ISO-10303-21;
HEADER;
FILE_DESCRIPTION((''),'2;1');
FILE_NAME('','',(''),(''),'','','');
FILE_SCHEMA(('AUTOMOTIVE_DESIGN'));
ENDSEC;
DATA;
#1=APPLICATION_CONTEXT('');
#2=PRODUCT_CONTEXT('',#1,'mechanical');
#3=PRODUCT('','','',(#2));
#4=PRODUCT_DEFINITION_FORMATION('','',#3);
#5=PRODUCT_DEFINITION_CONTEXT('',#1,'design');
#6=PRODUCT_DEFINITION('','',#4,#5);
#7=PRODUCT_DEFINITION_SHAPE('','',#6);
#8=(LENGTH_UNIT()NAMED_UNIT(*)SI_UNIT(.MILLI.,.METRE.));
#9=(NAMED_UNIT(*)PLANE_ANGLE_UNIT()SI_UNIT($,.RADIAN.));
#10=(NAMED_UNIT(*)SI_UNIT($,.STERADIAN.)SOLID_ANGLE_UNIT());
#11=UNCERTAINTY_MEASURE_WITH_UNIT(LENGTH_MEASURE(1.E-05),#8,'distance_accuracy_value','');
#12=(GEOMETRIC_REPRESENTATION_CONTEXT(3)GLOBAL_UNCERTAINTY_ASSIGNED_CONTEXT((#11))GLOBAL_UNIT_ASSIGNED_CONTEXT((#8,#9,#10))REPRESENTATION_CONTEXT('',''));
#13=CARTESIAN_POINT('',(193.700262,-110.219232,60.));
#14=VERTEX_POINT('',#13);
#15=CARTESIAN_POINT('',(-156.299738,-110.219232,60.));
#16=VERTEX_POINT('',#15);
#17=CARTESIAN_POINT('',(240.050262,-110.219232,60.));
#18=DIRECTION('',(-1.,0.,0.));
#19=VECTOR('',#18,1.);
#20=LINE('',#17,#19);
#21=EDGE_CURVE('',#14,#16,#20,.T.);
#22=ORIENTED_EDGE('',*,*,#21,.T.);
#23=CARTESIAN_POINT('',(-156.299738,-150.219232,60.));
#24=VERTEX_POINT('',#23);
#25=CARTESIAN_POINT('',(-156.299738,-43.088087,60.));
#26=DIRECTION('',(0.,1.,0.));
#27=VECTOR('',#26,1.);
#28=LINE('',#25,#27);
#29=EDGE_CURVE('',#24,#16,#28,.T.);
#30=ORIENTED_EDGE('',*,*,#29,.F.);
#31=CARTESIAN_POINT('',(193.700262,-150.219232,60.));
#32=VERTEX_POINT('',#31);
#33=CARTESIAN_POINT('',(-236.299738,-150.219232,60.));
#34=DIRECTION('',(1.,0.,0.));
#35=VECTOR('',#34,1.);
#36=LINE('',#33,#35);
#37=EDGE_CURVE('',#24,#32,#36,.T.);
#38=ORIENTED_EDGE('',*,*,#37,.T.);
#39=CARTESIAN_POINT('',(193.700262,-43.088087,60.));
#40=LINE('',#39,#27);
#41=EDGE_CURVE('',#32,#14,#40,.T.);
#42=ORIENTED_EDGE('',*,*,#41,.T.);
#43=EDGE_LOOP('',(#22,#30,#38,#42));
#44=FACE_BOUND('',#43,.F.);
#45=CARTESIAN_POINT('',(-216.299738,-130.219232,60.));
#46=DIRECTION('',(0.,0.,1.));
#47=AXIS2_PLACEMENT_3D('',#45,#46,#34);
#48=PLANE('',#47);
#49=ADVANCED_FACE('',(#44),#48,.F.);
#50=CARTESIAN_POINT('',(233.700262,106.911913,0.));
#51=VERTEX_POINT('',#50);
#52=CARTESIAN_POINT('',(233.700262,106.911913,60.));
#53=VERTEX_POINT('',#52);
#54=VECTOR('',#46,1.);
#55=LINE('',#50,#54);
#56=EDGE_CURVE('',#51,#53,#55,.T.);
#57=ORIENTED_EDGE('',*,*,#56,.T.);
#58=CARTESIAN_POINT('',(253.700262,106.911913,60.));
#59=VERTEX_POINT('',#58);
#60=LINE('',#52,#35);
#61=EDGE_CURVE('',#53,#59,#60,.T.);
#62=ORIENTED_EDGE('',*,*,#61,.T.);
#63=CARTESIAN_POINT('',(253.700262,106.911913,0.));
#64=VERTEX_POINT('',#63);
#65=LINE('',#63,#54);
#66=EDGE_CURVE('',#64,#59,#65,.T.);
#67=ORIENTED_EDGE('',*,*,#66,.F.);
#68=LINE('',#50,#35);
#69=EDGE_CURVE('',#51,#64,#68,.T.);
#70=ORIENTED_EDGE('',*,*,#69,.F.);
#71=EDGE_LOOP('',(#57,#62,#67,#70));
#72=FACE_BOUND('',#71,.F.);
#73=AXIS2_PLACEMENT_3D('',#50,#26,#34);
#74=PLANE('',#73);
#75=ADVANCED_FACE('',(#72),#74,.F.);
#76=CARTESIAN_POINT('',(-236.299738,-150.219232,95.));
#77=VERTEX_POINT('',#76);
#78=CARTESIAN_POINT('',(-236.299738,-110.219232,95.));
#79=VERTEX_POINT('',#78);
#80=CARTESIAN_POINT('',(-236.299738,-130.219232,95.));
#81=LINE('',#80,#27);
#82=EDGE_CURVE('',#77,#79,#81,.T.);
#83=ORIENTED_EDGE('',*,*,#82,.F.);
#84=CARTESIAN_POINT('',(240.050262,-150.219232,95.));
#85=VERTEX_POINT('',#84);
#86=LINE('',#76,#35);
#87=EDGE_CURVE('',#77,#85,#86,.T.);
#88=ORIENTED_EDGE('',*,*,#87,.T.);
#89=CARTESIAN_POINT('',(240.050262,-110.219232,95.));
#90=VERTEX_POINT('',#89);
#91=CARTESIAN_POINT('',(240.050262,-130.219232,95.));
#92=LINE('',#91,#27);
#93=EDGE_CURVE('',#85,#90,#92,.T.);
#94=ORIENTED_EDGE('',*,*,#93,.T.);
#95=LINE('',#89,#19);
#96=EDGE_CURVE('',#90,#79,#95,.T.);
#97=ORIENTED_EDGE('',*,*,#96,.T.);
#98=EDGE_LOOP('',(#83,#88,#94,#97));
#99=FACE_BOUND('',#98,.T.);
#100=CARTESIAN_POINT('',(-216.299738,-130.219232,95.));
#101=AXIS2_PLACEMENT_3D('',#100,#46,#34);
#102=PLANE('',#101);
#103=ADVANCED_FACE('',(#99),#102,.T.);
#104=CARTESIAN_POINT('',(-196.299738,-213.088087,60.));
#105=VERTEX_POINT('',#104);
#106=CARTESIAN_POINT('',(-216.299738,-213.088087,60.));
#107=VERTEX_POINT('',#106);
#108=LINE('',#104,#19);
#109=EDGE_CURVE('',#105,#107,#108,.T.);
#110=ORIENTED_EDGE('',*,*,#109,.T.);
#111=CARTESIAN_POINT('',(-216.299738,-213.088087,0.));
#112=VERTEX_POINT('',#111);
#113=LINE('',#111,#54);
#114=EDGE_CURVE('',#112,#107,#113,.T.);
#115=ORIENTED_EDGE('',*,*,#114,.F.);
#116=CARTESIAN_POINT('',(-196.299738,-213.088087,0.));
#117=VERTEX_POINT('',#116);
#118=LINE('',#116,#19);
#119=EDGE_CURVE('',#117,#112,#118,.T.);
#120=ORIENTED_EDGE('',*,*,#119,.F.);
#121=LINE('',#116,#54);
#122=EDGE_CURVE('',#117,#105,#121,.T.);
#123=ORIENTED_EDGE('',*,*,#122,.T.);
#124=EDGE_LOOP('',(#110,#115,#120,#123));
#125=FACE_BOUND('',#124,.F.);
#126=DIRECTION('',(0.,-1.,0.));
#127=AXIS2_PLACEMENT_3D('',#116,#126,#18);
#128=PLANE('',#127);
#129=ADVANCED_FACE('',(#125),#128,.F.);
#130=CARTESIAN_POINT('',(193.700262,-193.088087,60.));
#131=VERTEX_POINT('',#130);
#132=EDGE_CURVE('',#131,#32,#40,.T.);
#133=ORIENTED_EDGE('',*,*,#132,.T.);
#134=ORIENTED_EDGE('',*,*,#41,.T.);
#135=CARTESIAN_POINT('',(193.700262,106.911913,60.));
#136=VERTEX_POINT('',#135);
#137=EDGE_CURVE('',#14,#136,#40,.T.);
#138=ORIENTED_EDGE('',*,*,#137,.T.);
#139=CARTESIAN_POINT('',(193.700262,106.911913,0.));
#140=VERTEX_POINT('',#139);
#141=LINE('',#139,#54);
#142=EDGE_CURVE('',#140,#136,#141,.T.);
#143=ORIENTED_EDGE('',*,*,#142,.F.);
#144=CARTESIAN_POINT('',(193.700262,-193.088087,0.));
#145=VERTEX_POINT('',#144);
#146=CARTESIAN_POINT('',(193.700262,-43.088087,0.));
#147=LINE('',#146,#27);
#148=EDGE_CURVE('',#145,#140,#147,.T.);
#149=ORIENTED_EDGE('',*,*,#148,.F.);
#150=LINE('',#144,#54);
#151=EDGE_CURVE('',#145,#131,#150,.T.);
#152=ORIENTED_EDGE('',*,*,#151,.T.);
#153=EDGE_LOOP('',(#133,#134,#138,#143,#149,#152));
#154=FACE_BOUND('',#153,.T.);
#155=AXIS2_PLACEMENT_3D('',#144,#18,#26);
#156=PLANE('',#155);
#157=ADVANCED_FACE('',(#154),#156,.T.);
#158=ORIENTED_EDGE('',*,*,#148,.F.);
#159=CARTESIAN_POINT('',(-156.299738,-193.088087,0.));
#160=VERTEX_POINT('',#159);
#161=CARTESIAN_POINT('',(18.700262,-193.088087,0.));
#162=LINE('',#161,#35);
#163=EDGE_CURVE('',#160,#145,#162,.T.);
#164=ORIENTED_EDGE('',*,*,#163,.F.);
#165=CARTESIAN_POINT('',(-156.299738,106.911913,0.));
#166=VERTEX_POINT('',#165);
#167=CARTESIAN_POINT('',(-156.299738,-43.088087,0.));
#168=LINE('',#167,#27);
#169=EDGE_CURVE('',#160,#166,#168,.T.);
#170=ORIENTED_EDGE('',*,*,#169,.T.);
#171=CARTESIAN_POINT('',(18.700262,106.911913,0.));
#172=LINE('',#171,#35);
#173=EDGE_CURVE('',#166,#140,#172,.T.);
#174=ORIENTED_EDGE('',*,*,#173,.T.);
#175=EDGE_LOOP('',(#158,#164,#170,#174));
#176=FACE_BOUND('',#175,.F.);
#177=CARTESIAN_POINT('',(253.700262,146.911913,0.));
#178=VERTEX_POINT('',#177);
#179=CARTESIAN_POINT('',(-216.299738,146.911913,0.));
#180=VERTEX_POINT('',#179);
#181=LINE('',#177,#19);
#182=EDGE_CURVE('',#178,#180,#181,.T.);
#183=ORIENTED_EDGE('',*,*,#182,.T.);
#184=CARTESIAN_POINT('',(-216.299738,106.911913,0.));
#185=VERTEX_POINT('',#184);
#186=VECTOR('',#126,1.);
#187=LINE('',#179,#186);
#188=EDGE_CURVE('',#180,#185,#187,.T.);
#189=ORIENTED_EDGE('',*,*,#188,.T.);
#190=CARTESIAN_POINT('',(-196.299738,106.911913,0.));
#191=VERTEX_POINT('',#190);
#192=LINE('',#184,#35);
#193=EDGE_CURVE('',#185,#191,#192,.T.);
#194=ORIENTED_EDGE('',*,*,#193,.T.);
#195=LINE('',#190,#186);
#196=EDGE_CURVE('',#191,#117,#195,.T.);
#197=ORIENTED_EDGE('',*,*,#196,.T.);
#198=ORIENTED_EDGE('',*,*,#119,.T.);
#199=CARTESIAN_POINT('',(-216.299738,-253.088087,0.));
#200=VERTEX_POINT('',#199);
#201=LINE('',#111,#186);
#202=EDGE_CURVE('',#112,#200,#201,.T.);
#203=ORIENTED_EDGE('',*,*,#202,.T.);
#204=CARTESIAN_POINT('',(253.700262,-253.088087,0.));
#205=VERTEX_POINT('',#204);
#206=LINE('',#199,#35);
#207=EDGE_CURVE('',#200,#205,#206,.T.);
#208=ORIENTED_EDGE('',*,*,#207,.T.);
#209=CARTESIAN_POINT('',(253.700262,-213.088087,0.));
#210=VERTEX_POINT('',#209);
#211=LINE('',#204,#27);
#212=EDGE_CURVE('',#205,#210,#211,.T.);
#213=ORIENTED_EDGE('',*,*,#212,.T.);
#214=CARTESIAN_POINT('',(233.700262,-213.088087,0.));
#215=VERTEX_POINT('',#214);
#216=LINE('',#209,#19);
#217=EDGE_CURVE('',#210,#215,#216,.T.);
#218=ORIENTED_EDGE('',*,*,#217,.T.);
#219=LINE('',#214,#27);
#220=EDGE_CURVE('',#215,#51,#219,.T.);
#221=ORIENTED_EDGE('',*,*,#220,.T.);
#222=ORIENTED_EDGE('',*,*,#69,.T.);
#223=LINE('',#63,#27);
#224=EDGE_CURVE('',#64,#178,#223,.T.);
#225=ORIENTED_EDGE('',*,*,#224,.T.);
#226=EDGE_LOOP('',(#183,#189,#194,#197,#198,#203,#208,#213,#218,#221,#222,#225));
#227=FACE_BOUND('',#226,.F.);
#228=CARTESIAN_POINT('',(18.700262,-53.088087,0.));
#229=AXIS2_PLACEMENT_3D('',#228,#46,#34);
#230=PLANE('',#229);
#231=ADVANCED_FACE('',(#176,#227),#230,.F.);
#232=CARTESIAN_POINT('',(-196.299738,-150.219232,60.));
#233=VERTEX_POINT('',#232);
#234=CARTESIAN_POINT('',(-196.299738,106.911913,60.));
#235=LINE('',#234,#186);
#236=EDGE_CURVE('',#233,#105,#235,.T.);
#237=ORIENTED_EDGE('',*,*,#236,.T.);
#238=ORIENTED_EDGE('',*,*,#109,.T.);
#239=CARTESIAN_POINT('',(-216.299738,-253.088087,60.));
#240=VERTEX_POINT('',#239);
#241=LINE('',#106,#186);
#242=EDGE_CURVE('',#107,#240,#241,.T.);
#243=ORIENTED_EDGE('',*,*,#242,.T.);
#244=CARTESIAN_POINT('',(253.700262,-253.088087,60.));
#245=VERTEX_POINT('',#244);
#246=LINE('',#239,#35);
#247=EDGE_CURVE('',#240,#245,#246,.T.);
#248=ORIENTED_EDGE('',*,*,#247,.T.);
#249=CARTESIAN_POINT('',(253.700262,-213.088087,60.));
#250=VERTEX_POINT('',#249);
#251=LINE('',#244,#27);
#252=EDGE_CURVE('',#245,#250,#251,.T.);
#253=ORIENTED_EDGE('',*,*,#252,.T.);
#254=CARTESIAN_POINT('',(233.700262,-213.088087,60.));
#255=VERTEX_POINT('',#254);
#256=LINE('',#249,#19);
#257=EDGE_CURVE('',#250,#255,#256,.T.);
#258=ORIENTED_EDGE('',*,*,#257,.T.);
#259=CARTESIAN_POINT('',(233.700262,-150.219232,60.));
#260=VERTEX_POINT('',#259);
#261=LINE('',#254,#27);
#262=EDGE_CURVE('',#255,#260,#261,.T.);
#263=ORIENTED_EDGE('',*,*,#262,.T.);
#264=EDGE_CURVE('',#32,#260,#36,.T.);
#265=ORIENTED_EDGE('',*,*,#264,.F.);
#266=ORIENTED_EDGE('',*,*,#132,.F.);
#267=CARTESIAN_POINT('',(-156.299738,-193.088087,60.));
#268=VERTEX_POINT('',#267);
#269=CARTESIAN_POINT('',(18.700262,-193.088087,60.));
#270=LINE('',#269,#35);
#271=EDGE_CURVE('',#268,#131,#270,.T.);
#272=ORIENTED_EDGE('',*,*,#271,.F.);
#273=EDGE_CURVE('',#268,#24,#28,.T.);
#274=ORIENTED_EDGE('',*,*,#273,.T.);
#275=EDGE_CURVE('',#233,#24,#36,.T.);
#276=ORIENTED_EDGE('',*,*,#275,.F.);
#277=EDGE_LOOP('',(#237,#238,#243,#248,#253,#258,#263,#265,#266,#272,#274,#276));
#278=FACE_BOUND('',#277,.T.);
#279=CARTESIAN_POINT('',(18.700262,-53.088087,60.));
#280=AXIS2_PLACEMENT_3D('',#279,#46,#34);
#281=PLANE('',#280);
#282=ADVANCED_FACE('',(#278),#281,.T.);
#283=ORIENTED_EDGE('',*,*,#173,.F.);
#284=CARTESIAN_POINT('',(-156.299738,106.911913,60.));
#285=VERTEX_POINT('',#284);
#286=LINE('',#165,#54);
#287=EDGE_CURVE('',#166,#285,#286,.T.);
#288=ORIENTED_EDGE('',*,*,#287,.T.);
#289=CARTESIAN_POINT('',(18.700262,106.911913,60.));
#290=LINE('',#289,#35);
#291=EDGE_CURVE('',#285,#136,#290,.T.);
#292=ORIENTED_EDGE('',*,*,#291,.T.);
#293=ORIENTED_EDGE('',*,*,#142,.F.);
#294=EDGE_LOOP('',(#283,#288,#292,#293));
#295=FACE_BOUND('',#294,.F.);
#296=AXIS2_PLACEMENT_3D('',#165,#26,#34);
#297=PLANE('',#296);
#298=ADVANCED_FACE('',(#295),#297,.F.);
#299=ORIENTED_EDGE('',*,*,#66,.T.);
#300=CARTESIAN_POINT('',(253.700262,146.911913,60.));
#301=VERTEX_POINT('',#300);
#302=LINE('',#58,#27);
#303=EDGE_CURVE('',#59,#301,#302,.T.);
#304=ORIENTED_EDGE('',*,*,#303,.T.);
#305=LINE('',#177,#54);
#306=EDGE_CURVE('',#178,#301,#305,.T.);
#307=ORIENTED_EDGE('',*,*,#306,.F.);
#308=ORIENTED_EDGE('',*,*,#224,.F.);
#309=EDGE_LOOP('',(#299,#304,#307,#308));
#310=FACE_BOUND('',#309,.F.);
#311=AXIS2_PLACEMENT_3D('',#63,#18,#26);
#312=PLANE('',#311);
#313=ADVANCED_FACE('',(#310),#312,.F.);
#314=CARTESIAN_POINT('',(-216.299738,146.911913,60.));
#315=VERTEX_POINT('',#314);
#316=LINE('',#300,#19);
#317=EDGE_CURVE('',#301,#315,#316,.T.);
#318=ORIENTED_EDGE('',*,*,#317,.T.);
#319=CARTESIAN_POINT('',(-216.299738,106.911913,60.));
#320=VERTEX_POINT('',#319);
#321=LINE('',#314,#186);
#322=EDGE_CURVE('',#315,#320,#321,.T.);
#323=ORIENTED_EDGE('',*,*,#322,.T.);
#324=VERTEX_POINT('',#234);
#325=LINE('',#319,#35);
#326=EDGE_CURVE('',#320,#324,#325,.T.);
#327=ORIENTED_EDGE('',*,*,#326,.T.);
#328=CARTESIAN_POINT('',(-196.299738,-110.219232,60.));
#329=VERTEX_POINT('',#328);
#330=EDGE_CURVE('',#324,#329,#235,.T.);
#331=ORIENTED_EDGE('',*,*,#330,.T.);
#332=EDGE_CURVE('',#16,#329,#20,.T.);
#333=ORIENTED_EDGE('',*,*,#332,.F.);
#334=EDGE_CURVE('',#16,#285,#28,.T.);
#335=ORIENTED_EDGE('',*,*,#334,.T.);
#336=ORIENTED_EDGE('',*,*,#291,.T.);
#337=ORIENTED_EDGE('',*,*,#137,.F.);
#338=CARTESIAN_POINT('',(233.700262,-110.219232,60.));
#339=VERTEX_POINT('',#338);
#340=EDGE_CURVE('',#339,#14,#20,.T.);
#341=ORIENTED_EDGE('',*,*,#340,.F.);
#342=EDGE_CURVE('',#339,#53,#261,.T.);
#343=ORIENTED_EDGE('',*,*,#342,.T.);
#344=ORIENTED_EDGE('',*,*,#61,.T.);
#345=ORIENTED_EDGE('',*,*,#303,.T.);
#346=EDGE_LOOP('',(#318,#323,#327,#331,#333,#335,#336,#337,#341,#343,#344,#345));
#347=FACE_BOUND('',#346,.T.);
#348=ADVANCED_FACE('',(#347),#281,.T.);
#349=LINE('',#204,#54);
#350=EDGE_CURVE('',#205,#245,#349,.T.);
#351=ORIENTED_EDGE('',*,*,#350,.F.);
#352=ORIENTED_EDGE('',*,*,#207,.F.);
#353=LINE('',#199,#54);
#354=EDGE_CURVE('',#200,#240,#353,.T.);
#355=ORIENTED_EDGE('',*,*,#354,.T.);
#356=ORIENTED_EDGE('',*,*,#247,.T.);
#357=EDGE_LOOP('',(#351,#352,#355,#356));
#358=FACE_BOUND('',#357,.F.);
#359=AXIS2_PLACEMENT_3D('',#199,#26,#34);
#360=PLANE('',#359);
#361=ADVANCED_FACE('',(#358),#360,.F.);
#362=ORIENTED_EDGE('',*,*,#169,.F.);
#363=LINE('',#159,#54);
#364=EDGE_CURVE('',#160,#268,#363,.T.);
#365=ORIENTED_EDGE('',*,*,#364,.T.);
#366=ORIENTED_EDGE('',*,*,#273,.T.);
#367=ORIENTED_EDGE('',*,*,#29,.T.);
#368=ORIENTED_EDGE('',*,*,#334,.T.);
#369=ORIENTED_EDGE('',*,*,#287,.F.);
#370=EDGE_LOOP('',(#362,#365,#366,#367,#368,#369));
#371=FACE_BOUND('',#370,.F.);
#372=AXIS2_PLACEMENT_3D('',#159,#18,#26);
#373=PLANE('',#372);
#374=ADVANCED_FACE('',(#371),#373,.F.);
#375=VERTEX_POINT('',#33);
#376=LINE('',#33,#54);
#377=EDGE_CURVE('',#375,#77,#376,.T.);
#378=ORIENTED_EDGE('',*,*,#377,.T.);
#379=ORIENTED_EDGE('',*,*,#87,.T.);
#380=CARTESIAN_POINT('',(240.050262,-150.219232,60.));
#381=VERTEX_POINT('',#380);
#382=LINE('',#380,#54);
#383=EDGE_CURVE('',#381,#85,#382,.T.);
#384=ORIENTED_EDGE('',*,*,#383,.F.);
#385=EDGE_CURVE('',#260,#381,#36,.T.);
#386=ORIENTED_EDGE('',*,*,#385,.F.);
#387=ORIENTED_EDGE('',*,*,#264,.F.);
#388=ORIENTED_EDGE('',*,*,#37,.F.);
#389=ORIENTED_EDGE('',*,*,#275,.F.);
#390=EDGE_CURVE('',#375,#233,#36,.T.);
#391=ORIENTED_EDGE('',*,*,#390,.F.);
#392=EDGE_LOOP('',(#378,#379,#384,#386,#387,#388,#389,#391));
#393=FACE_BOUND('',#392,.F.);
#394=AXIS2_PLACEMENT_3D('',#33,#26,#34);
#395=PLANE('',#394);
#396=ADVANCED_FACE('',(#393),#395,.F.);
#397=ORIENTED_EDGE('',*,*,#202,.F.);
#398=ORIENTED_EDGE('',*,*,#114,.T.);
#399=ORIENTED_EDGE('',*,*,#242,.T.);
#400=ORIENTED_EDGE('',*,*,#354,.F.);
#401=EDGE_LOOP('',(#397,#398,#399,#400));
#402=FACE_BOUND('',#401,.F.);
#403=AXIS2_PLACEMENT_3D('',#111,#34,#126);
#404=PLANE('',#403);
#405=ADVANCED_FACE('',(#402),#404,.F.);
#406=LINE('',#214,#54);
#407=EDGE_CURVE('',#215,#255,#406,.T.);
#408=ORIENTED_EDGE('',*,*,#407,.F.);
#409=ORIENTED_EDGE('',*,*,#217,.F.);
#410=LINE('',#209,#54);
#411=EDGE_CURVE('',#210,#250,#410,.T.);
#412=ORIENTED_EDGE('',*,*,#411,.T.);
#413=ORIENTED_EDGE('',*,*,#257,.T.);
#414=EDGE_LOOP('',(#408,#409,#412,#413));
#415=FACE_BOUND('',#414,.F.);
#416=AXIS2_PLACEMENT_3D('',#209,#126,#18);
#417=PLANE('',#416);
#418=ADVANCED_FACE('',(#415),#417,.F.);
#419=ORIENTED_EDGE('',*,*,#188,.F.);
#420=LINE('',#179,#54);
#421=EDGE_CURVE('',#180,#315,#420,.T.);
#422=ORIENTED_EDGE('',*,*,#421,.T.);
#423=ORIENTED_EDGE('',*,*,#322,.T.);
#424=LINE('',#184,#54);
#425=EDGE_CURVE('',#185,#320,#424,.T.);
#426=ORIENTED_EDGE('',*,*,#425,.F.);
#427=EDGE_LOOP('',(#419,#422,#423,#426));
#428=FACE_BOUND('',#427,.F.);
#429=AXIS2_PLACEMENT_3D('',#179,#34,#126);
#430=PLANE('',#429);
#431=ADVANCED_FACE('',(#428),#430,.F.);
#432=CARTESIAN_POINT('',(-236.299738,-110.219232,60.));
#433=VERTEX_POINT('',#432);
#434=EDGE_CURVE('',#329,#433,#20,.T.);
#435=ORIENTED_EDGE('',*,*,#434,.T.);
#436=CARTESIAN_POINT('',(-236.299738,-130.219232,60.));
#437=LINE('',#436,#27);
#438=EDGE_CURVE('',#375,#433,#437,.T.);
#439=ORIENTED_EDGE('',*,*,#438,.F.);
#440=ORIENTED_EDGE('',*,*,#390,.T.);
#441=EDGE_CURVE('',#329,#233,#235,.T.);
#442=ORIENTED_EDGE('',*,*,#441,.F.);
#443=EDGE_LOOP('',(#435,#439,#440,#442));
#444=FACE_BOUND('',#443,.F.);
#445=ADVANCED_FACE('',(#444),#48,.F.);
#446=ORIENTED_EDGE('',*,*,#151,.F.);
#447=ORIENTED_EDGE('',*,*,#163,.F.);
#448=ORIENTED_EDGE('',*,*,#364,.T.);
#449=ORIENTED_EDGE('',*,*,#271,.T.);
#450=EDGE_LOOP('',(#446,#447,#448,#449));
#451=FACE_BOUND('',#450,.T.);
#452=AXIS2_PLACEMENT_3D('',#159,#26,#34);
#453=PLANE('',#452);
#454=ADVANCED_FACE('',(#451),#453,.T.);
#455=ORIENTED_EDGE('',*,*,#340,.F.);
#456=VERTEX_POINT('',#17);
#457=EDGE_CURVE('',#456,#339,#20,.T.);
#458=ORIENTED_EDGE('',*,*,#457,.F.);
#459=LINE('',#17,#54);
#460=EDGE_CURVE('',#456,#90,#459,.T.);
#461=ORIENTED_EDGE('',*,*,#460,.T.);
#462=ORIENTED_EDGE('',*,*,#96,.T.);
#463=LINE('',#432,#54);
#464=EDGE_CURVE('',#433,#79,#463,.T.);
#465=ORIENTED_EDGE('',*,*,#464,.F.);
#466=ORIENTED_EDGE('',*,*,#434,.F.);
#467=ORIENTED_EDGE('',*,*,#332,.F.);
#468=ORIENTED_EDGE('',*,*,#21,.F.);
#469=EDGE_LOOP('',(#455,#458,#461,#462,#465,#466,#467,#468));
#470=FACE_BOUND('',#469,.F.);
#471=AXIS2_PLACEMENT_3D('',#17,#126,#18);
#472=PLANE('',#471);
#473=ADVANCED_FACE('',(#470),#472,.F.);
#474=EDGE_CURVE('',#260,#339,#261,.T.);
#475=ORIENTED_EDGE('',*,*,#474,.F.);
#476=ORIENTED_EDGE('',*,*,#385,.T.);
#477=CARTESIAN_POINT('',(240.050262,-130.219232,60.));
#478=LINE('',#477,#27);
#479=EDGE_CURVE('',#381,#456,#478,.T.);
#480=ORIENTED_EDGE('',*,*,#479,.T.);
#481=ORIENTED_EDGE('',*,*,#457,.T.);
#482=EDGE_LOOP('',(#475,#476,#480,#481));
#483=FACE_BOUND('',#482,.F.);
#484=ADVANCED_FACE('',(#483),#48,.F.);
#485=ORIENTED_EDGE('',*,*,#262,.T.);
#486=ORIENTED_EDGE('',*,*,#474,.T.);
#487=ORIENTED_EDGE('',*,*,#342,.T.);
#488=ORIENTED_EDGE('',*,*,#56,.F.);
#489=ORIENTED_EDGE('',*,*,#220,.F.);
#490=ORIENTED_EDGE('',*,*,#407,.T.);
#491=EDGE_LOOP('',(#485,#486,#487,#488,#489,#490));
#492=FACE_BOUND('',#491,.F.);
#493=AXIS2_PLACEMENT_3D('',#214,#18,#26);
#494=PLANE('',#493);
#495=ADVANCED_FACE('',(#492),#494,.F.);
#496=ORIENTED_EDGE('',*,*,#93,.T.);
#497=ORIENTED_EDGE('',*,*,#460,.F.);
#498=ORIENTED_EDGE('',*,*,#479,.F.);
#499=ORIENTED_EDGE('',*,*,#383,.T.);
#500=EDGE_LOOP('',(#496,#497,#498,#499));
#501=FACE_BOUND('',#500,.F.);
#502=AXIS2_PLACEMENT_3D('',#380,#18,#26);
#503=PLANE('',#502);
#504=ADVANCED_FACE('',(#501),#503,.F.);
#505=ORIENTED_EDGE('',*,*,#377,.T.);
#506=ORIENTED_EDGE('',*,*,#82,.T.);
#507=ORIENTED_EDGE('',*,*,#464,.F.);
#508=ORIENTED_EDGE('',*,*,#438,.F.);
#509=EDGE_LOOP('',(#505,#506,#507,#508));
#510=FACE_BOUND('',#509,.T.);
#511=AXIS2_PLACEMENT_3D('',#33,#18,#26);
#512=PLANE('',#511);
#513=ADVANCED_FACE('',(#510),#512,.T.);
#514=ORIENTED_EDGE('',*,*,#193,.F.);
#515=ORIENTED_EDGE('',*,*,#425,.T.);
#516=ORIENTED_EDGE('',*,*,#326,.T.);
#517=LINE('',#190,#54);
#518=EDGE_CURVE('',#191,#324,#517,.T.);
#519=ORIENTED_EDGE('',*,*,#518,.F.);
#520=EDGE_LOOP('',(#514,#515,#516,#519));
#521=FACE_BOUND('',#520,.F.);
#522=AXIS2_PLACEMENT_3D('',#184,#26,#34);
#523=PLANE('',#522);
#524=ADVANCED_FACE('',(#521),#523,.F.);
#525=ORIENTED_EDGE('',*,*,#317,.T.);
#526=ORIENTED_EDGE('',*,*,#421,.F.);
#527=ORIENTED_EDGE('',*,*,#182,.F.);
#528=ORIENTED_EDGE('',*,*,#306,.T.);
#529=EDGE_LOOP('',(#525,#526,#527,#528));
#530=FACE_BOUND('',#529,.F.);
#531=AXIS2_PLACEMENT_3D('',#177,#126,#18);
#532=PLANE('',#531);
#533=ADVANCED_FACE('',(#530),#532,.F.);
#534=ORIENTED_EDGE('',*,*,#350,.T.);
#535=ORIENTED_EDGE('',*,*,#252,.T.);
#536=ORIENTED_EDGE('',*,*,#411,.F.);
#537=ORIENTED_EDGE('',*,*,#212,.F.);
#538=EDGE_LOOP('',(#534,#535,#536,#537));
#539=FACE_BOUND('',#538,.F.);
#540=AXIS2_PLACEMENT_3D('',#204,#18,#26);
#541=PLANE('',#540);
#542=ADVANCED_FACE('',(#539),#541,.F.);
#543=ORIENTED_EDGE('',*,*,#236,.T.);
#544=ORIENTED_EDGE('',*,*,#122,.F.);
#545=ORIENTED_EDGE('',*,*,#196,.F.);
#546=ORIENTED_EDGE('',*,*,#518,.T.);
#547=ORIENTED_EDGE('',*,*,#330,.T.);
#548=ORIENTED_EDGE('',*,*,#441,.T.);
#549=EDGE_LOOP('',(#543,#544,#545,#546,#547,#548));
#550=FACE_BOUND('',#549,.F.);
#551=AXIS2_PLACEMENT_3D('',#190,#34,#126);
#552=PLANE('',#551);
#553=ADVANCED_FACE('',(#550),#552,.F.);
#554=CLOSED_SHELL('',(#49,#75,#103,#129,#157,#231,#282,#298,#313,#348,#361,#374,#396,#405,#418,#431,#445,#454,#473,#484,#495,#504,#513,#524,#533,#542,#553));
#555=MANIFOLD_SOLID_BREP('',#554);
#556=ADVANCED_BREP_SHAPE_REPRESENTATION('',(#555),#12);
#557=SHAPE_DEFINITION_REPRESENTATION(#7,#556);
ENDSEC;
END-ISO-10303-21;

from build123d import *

# Parameters (mm, degrees)
F0_W     = 350
F0_H     = 300
F1_DEPTH = 60
F2_W     = 40
F2_H     = 40
F2_W_2   = 350
F2_W_3   = 6.35
F3_DEPTH = 35


with BuildPart() as f1:
    # F0 (on Top) → F1 (new body)
    with BuildSketch(Plane.XY):
        Polygon((253.7002617121, 146.9119131565), (-216.2997382879, 146.9119131565), (-216.2997382879, 106.9119131565), (-196.2997382879, 106.9119131565), (-196.2997382879, -213.0880868435), (-216.2997382879, -213.0880868435), (-216.2997382879, -253.0880868435), (253.7002617121, -253.0880868435), (253.7002617121, -213.0880868435), (233.7002617121, -213.0880868435), (233.7002617121, 106.9119131565), (253.7002617121, 106.9119131565), align=None)
        with Locations((18.7002617121, -43.0880868435)):
            Rectangle(F0_W, F0_H, mode=Mode.SUBTRACT)
    extrude(amount=F1_DEPTH)

    # F2 (on face) → F3 (join)
    with BuildSketch(Plane.XY.offset(60)):
        with Locations((-216.2997382879, -130.2192318439)):
            Rectangle(F2_W, F2_H)
        with Locations((-176.2997382879, -130.2192318439)):
            Rectangle(F2_W, F2_H)
        with Locations((18.7002617121, -130.2192318439)):
            Rectangle(F2_W_2, F2_H)
        with Locations((213.7002617121, -130.2192318439)):
            Rectangle(F2_W, F2_H)
        with Locations((236.8752617121, -130.2192318439)):
            Rectangle(F2_W_3, F2_H)
    extrude(amount=F3_DEPTH)


solid = f1.part
